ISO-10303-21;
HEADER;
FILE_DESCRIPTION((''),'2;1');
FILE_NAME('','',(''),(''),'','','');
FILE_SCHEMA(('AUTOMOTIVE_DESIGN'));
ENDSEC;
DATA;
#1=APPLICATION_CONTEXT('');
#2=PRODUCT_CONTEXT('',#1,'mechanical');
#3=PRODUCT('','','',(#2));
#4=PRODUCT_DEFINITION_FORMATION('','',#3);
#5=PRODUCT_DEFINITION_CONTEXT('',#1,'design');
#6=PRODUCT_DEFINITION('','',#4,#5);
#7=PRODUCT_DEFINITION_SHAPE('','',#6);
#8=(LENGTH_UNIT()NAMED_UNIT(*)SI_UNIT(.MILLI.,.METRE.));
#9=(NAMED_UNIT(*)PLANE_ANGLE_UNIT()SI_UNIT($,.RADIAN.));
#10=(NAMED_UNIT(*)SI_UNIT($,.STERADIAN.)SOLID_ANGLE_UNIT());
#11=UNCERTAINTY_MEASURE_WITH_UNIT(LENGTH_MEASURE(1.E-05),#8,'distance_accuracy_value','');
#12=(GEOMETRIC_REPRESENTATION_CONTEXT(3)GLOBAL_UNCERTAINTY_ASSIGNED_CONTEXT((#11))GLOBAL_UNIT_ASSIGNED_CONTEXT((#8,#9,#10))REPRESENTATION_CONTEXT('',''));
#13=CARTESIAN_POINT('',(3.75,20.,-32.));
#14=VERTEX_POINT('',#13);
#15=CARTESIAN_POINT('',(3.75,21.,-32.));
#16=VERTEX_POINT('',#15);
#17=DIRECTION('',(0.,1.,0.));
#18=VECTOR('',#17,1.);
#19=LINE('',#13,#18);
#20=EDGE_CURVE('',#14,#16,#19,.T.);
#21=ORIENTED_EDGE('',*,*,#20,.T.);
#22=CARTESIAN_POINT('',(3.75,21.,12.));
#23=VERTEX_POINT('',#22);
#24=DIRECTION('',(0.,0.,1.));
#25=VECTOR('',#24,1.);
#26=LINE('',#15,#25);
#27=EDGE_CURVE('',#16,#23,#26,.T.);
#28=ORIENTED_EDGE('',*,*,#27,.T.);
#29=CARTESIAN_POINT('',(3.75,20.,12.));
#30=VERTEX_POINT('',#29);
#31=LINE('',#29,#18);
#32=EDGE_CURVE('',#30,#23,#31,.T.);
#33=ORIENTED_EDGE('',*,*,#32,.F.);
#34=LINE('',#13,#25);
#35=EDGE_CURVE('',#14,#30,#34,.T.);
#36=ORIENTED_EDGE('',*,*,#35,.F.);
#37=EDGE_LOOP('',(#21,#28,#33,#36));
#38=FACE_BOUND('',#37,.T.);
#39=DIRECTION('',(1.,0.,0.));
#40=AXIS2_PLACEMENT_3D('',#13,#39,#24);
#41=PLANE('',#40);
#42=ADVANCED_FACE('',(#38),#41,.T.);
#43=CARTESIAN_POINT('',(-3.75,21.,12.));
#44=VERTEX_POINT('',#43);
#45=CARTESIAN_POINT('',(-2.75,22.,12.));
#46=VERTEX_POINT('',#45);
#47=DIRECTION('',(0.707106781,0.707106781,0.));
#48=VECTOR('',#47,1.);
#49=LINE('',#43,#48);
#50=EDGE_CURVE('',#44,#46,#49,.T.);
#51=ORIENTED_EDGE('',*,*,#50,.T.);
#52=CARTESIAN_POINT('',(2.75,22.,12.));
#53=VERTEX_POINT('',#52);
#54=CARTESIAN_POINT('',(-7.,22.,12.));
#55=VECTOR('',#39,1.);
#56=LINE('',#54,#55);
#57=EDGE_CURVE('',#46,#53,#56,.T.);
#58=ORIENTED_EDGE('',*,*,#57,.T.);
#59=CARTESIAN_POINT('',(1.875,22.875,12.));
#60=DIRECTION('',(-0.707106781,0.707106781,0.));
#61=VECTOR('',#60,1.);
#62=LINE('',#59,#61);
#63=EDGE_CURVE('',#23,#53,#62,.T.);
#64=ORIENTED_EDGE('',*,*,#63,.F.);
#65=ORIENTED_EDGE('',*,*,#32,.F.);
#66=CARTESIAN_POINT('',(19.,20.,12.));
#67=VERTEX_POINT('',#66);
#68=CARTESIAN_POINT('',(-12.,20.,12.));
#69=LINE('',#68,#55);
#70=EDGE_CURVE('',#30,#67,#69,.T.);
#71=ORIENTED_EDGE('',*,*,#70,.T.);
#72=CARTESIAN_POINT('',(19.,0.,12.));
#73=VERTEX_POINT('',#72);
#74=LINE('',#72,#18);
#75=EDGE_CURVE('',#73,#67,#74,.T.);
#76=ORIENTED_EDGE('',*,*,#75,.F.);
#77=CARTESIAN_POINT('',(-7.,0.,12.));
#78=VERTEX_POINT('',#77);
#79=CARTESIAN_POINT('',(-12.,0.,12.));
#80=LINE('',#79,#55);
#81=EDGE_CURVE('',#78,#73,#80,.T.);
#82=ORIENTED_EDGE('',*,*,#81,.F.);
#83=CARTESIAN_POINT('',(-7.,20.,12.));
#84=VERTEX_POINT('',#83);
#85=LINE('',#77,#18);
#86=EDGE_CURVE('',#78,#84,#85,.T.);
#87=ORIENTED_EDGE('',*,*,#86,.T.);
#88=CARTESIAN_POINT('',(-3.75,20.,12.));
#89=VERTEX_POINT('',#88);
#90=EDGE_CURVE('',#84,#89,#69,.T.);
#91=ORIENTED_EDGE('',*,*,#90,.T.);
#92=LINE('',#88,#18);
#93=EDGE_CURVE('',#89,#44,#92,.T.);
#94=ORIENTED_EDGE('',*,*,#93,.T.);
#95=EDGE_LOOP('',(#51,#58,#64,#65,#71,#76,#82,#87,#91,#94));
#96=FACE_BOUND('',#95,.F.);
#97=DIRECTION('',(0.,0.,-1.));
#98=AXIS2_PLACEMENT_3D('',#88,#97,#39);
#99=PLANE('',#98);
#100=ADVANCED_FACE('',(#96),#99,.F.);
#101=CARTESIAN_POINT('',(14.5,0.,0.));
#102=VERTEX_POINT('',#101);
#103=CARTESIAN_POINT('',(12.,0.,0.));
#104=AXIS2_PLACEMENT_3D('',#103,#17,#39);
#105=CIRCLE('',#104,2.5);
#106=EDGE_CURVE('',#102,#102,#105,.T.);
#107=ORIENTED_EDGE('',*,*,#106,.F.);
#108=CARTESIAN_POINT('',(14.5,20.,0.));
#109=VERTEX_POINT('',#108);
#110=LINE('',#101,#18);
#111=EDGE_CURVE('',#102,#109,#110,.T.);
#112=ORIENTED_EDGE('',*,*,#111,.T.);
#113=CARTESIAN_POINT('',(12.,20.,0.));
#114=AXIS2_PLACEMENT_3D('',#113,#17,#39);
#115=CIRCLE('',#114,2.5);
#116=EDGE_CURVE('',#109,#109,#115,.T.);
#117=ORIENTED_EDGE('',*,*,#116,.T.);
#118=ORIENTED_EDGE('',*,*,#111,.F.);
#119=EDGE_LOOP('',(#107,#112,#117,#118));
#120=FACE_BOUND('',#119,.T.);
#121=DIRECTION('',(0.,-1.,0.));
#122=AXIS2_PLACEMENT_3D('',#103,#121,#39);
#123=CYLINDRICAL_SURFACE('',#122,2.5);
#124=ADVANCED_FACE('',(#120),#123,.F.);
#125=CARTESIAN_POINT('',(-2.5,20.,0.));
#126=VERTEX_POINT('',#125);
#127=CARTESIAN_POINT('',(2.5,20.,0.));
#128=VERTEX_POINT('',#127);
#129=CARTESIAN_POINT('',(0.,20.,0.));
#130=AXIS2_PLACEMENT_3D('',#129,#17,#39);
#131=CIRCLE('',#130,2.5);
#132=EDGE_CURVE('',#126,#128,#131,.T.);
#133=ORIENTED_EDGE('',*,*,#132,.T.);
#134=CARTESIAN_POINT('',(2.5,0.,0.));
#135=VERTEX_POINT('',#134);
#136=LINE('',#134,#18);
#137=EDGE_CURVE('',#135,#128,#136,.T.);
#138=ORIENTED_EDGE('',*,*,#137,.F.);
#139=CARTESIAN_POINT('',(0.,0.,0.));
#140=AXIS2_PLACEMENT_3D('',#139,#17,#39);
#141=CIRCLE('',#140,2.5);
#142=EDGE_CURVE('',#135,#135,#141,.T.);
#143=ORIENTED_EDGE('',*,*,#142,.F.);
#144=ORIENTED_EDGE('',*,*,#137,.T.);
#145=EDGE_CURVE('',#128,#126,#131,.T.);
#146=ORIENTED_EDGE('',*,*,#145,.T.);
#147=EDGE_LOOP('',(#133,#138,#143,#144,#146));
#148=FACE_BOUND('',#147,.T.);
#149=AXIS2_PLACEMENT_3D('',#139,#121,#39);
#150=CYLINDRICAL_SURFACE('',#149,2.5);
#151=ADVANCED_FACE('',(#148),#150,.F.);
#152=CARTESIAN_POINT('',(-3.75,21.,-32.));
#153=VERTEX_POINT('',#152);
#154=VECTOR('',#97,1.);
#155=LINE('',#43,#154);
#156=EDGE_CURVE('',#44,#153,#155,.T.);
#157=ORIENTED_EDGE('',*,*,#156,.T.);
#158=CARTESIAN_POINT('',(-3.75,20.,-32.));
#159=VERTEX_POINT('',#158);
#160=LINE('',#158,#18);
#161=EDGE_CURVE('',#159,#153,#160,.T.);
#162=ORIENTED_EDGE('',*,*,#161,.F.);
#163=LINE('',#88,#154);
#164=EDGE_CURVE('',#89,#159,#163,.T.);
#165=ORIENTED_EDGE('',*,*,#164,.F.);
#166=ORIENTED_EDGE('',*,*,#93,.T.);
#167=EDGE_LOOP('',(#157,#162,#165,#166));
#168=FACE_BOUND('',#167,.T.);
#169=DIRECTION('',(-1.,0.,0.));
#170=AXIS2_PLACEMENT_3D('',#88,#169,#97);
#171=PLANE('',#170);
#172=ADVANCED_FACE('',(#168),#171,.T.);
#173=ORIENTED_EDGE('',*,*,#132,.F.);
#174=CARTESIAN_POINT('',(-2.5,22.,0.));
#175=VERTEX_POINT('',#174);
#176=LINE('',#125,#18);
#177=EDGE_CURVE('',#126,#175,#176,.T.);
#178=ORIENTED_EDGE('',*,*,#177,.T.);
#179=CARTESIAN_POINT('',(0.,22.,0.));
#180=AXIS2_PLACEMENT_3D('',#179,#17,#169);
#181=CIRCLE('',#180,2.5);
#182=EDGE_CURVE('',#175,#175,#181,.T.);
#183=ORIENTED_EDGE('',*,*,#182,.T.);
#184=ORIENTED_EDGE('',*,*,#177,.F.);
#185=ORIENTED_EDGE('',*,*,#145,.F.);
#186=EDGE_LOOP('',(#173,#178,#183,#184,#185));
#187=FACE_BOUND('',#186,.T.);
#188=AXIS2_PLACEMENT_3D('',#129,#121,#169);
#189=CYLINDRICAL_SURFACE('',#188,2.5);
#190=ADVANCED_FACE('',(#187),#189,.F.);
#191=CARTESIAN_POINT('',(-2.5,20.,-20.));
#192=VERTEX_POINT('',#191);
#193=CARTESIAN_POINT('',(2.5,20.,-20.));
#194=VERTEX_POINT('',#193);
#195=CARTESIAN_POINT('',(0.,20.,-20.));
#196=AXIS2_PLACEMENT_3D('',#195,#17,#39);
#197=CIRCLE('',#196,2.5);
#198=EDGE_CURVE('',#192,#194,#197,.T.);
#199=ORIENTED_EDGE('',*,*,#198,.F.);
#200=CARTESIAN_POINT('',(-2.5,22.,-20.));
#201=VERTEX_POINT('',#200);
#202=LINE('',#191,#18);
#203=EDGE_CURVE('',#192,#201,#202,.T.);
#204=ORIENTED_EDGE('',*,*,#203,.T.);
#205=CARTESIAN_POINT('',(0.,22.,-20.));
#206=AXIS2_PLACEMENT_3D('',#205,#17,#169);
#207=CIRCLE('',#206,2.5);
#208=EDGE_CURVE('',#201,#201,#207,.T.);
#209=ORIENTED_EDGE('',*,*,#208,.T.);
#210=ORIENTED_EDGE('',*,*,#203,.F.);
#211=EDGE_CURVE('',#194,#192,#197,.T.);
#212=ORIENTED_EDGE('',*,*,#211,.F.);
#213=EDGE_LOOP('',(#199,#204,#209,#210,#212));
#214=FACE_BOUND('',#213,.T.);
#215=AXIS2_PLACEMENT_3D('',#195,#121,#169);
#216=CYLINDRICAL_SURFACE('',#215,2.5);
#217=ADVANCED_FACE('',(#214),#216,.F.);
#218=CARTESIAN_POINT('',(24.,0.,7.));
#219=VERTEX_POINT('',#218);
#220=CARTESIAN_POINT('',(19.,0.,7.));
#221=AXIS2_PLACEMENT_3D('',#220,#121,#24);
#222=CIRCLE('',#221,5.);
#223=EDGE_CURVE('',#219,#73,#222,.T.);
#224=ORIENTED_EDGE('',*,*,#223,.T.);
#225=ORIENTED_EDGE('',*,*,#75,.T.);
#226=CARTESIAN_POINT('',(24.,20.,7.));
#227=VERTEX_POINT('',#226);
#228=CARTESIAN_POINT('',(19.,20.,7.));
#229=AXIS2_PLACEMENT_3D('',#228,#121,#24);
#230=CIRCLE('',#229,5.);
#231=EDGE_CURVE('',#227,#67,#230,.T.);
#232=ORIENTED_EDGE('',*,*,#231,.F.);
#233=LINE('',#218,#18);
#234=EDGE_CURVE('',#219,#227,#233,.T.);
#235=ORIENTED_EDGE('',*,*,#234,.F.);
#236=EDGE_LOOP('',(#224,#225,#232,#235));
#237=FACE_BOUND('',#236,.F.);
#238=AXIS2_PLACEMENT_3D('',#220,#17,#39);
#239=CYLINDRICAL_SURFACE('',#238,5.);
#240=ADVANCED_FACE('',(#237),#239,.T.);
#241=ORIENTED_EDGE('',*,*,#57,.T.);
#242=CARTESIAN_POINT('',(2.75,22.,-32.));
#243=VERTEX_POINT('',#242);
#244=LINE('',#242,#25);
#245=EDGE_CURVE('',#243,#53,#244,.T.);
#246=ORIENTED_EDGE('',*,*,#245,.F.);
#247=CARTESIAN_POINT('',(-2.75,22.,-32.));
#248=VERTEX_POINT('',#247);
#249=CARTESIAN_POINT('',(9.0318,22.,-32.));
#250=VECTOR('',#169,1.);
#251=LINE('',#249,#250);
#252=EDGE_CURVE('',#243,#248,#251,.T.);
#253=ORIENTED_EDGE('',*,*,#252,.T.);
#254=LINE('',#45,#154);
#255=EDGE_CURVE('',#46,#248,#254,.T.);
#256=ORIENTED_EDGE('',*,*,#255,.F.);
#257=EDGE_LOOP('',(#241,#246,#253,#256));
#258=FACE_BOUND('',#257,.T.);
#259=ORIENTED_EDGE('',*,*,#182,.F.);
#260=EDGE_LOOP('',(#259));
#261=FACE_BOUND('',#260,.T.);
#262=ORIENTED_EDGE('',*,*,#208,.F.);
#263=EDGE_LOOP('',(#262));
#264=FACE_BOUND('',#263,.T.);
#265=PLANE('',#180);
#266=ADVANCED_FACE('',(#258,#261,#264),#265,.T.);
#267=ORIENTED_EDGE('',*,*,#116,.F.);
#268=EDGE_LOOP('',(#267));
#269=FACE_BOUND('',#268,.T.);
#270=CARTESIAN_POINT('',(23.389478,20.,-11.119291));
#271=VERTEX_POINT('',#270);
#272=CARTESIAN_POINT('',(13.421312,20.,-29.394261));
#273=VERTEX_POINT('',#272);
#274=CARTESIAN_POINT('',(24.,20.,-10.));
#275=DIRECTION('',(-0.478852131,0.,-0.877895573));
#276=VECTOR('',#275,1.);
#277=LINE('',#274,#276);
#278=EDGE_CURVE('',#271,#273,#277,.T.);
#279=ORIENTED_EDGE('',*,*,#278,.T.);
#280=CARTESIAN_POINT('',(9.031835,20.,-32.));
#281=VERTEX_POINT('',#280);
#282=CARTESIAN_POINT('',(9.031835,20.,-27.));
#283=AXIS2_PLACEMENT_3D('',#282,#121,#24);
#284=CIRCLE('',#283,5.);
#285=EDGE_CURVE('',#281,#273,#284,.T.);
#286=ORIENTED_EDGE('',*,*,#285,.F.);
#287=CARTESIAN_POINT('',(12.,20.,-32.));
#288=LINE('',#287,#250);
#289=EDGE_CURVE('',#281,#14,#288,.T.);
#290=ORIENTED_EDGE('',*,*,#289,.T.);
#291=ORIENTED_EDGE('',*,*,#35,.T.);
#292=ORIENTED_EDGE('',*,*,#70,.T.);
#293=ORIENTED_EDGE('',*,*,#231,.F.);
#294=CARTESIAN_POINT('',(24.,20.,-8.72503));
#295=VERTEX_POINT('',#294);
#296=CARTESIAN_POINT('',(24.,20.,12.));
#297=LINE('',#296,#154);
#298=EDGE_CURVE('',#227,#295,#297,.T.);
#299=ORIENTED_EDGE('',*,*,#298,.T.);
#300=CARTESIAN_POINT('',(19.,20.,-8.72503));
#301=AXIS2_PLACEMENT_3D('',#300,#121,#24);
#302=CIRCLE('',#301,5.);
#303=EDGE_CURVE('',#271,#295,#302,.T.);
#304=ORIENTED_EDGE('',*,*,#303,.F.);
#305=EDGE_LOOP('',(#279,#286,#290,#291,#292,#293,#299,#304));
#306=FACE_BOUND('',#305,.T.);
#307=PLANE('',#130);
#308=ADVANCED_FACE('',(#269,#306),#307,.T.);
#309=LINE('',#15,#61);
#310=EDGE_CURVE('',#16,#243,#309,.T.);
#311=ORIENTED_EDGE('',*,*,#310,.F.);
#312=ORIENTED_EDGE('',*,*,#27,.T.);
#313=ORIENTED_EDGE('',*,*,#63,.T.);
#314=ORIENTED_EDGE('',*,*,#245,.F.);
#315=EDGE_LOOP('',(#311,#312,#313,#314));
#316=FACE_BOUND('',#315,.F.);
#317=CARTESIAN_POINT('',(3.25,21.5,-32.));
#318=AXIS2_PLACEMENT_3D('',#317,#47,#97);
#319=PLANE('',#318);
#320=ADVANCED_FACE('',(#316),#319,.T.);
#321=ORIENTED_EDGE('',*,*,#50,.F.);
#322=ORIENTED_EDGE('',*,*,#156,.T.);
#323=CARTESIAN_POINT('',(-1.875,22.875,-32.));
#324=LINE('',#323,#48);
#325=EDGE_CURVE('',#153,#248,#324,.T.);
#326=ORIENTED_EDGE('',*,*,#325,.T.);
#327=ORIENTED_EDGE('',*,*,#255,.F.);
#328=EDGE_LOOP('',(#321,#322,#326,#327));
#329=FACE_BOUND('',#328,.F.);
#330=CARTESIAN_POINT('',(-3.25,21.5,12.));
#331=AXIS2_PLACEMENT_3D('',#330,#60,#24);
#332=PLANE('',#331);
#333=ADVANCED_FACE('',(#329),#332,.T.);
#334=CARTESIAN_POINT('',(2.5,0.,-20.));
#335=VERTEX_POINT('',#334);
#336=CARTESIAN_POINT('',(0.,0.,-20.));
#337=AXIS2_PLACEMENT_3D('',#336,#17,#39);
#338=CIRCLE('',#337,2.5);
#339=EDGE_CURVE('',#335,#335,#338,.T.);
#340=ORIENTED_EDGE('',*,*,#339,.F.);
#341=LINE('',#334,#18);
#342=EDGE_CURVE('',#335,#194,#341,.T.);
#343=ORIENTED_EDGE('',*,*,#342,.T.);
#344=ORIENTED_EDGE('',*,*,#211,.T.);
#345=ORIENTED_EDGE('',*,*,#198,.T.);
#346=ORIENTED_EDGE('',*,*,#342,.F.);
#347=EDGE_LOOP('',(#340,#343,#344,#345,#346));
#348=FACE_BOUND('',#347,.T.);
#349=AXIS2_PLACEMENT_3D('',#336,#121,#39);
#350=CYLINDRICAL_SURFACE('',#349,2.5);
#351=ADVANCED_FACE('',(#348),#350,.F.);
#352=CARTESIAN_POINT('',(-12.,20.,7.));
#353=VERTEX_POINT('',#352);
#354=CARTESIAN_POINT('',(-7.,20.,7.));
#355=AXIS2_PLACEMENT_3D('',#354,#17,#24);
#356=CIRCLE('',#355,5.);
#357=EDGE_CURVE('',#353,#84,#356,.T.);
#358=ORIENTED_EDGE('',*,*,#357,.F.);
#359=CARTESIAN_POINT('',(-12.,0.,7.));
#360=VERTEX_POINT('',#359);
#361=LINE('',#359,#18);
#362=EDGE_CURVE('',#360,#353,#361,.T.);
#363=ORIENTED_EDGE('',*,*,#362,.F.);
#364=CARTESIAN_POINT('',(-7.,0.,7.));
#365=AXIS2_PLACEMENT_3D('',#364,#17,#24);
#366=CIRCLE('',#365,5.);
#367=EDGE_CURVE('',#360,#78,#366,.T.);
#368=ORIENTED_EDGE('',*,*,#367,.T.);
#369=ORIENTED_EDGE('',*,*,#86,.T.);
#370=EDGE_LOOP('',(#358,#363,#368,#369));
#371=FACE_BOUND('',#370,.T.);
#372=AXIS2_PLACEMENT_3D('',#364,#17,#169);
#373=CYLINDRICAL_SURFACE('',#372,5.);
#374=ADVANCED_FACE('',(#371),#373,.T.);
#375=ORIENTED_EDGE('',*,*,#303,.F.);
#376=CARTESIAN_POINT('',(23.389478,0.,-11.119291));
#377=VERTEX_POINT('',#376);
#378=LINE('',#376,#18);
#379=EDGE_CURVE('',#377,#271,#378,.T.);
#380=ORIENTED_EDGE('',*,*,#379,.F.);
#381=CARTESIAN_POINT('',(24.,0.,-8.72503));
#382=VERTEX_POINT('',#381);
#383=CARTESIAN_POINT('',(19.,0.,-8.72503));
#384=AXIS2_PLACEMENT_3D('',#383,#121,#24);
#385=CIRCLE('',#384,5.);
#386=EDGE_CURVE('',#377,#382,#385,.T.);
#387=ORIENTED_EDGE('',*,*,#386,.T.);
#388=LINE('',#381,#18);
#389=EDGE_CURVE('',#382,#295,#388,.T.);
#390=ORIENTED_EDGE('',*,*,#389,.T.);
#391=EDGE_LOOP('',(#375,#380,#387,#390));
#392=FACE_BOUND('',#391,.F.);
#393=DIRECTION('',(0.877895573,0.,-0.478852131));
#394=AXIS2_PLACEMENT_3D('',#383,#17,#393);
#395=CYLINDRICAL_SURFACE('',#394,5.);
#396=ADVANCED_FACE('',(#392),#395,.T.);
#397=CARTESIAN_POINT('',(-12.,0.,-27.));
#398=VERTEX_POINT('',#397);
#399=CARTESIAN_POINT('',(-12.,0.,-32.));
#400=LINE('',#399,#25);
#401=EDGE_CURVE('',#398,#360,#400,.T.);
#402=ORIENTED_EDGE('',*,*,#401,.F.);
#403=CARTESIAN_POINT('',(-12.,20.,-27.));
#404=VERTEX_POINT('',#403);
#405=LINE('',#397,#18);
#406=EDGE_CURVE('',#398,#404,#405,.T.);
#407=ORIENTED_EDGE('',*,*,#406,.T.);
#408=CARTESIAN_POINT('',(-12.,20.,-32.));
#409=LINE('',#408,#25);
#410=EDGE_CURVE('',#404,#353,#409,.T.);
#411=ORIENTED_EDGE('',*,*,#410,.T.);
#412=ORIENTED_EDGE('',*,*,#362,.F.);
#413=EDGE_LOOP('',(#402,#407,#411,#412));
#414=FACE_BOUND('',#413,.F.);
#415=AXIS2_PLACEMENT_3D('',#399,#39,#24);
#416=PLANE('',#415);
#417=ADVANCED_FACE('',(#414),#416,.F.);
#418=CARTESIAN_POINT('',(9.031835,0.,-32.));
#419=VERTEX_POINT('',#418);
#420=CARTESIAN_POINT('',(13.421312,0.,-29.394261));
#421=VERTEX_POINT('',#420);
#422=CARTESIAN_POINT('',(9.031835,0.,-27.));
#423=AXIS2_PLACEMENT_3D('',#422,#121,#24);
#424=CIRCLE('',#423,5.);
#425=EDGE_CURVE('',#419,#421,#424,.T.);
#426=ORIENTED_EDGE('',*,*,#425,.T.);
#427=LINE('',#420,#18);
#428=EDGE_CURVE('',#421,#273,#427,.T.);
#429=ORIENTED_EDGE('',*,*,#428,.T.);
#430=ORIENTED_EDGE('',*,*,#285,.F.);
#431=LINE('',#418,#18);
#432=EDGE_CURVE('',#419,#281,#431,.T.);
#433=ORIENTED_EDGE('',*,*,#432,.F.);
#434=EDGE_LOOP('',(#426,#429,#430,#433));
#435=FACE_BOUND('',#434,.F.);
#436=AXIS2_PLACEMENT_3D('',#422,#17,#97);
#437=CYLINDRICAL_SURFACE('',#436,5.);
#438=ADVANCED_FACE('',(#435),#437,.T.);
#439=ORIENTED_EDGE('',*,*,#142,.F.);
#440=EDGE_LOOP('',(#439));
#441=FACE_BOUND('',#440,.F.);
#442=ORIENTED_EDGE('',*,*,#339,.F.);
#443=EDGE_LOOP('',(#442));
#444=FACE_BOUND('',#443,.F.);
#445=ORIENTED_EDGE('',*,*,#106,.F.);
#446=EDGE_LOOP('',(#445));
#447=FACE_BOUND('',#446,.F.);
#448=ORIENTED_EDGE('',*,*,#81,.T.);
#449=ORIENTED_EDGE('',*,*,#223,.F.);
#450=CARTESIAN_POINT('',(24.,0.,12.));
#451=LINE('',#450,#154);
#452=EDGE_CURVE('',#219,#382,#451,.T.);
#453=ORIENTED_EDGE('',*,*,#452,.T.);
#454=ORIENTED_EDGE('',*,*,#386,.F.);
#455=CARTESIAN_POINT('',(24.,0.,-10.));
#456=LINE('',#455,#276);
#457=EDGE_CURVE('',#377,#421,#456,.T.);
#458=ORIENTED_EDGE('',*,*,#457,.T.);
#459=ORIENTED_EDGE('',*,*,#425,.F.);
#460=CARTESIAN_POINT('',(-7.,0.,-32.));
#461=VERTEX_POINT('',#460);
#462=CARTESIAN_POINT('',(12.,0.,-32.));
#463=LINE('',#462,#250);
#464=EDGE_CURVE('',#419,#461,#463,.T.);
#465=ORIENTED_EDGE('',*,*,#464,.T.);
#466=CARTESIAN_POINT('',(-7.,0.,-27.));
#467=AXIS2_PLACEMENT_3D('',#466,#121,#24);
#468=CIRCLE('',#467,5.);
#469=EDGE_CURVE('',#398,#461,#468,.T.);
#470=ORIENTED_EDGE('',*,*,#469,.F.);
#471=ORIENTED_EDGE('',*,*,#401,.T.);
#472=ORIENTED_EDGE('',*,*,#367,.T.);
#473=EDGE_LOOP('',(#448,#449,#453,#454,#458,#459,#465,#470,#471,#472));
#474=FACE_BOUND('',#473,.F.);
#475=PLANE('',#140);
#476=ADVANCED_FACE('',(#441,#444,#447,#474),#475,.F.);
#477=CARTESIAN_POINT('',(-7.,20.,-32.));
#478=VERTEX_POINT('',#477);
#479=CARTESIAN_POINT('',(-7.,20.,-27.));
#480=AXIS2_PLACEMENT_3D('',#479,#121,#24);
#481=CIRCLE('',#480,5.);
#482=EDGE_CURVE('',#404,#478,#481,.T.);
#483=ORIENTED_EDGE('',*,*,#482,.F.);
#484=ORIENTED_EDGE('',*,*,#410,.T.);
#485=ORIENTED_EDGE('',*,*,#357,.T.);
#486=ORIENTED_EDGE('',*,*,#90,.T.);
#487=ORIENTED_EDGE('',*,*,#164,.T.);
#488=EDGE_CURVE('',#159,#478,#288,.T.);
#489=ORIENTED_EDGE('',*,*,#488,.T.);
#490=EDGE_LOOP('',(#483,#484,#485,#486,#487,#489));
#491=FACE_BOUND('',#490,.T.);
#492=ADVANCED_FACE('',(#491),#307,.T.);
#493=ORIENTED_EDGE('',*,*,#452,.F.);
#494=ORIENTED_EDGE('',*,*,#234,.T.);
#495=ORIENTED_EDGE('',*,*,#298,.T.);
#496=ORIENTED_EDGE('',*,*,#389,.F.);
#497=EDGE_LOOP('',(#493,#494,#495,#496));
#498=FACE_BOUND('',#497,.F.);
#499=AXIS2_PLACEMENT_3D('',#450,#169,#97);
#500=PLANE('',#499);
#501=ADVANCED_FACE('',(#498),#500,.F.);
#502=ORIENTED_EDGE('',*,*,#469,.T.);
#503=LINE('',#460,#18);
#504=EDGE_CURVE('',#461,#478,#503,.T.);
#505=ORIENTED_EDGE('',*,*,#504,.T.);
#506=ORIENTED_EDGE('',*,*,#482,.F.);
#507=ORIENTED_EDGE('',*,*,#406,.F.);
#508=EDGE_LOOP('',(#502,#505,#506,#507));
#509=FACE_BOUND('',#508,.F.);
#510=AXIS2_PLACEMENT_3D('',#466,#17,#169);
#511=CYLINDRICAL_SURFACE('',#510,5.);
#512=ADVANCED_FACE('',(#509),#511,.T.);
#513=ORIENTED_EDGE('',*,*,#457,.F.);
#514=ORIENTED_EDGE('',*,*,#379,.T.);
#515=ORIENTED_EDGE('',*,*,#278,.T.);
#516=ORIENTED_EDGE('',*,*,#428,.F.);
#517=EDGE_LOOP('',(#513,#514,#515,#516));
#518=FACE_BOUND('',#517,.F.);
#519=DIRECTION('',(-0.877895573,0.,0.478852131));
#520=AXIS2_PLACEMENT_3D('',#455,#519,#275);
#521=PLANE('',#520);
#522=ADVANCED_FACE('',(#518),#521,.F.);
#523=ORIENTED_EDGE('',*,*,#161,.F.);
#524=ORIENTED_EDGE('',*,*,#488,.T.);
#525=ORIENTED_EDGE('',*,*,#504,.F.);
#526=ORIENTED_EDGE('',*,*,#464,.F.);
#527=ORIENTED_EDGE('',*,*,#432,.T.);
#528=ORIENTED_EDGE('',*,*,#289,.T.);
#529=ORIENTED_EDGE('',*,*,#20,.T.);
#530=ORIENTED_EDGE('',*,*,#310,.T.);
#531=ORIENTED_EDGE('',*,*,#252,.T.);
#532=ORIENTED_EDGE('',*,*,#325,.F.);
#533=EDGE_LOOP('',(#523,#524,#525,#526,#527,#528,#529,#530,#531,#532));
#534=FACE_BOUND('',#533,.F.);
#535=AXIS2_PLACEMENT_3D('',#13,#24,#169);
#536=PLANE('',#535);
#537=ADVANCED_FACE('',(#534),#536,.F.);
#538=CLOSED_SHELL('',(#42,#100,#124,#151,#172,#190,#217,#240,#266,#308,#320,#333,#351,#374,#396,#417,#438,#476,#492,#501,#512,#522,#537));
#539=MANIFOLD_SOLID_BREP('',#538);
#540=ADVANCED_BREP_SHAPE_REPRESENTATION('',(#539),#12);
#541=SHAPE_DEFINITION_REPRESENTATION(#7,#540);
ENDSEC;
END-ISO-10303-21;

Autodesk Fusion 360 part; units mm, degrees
sketch "Sketch1" plane through (0, 0, 0) normal (0, 1, 0) x (1, 0, 0)
  circle A0 centre (0, 0) radius 2.5
  circle A1 centre (12, 0) radius 2.5
  line L0 (-12, -12) -> (24, -12)
  line L1 (24, -12) -> (24, 10)
  line L2 (24, 10) -> (12, 32)
  line L3 (12, 32) -> (-12, 32)
  line L4 (-12, 32) -> (-12, -12)
  line L5 (0, 0) -> (0, 32) construction
  circle A2 centre (0, 20) radius 2.5
  line L6 (0, 0) -> (0, 20) construction
  point P0 (0, 10)
  dimension "d1" = 5
  dimension "d3" = 12
  dimension "d5" = 12
  dimension "d6" = 20
  dimension "d7" = 12
  dimension "d8" = 12
  dimension "d9" = 12
extrude "Extrude1" add sketch "Sketch1" along normal blind 20
fillet "Fillet1" radius 5 5 edges at (-12, 10, 12) (24, 10, 12) (-12, 10, -32) (12, 10, -32) (24, 10, -10)
sketch "Sketch2" plane through (0, 20, 0) normal (0, 1, 0) x (-1, 0, 0)
  arc A0 (-24, -8.725) -> (-23.3895, -11.1193) centre (-19, -8.725) ccw
  line L0 (-23.3895, -11.1193) -> (-13.4213, -29.3943)
  arc A1 (-13.4213, -29.3943) -> (-9.0318, -32) centre (-9.0318, -27) ccw
  line L1 (-9.0318, -32) -> (7, -32)
  arc A2 (7, -32) -> (12, -27) centre (7, -27) ccw
  line L2 (12, -27) -> (12, 7)
  arc A3 (12, 7) -> (7, 12) centre (7, 7) ccw
  line L3 (7, 12) -> (-19, 12)
  arc A4 (-19, 12) -> (-24, 7) centre (-19, 7) ccw
  line L4 (-24, 7) -> (-24, -8.725)
  circle A5 centre (0, -20) radius 2.5
  circle A6 centre (0, 0) radius 2.5
  circle A7 centre (-12, 0) radius 2.5
  line L5 (0, 0) -> (0, -20) construction
  line L6 (-3.75, 12) -> (3.75, 12)
  line L7 (3.75, 12) -> (3.75, -32)
  line L8 (3.75, -32) -> (-3.75, -32)
  line L9 (-3.75, -32) -> (-3.75, 12)
  dimension "d15" = 7.5
extrude "Extrude2" add sketch "Sketch2" along normal blind 2 contours L1 L3 L6 L7 L8 L9
chamfer "Chamfer1" distance 1 angle 45 2 edges at (3.75, 22, -10) (-3.75, 22, -10)
